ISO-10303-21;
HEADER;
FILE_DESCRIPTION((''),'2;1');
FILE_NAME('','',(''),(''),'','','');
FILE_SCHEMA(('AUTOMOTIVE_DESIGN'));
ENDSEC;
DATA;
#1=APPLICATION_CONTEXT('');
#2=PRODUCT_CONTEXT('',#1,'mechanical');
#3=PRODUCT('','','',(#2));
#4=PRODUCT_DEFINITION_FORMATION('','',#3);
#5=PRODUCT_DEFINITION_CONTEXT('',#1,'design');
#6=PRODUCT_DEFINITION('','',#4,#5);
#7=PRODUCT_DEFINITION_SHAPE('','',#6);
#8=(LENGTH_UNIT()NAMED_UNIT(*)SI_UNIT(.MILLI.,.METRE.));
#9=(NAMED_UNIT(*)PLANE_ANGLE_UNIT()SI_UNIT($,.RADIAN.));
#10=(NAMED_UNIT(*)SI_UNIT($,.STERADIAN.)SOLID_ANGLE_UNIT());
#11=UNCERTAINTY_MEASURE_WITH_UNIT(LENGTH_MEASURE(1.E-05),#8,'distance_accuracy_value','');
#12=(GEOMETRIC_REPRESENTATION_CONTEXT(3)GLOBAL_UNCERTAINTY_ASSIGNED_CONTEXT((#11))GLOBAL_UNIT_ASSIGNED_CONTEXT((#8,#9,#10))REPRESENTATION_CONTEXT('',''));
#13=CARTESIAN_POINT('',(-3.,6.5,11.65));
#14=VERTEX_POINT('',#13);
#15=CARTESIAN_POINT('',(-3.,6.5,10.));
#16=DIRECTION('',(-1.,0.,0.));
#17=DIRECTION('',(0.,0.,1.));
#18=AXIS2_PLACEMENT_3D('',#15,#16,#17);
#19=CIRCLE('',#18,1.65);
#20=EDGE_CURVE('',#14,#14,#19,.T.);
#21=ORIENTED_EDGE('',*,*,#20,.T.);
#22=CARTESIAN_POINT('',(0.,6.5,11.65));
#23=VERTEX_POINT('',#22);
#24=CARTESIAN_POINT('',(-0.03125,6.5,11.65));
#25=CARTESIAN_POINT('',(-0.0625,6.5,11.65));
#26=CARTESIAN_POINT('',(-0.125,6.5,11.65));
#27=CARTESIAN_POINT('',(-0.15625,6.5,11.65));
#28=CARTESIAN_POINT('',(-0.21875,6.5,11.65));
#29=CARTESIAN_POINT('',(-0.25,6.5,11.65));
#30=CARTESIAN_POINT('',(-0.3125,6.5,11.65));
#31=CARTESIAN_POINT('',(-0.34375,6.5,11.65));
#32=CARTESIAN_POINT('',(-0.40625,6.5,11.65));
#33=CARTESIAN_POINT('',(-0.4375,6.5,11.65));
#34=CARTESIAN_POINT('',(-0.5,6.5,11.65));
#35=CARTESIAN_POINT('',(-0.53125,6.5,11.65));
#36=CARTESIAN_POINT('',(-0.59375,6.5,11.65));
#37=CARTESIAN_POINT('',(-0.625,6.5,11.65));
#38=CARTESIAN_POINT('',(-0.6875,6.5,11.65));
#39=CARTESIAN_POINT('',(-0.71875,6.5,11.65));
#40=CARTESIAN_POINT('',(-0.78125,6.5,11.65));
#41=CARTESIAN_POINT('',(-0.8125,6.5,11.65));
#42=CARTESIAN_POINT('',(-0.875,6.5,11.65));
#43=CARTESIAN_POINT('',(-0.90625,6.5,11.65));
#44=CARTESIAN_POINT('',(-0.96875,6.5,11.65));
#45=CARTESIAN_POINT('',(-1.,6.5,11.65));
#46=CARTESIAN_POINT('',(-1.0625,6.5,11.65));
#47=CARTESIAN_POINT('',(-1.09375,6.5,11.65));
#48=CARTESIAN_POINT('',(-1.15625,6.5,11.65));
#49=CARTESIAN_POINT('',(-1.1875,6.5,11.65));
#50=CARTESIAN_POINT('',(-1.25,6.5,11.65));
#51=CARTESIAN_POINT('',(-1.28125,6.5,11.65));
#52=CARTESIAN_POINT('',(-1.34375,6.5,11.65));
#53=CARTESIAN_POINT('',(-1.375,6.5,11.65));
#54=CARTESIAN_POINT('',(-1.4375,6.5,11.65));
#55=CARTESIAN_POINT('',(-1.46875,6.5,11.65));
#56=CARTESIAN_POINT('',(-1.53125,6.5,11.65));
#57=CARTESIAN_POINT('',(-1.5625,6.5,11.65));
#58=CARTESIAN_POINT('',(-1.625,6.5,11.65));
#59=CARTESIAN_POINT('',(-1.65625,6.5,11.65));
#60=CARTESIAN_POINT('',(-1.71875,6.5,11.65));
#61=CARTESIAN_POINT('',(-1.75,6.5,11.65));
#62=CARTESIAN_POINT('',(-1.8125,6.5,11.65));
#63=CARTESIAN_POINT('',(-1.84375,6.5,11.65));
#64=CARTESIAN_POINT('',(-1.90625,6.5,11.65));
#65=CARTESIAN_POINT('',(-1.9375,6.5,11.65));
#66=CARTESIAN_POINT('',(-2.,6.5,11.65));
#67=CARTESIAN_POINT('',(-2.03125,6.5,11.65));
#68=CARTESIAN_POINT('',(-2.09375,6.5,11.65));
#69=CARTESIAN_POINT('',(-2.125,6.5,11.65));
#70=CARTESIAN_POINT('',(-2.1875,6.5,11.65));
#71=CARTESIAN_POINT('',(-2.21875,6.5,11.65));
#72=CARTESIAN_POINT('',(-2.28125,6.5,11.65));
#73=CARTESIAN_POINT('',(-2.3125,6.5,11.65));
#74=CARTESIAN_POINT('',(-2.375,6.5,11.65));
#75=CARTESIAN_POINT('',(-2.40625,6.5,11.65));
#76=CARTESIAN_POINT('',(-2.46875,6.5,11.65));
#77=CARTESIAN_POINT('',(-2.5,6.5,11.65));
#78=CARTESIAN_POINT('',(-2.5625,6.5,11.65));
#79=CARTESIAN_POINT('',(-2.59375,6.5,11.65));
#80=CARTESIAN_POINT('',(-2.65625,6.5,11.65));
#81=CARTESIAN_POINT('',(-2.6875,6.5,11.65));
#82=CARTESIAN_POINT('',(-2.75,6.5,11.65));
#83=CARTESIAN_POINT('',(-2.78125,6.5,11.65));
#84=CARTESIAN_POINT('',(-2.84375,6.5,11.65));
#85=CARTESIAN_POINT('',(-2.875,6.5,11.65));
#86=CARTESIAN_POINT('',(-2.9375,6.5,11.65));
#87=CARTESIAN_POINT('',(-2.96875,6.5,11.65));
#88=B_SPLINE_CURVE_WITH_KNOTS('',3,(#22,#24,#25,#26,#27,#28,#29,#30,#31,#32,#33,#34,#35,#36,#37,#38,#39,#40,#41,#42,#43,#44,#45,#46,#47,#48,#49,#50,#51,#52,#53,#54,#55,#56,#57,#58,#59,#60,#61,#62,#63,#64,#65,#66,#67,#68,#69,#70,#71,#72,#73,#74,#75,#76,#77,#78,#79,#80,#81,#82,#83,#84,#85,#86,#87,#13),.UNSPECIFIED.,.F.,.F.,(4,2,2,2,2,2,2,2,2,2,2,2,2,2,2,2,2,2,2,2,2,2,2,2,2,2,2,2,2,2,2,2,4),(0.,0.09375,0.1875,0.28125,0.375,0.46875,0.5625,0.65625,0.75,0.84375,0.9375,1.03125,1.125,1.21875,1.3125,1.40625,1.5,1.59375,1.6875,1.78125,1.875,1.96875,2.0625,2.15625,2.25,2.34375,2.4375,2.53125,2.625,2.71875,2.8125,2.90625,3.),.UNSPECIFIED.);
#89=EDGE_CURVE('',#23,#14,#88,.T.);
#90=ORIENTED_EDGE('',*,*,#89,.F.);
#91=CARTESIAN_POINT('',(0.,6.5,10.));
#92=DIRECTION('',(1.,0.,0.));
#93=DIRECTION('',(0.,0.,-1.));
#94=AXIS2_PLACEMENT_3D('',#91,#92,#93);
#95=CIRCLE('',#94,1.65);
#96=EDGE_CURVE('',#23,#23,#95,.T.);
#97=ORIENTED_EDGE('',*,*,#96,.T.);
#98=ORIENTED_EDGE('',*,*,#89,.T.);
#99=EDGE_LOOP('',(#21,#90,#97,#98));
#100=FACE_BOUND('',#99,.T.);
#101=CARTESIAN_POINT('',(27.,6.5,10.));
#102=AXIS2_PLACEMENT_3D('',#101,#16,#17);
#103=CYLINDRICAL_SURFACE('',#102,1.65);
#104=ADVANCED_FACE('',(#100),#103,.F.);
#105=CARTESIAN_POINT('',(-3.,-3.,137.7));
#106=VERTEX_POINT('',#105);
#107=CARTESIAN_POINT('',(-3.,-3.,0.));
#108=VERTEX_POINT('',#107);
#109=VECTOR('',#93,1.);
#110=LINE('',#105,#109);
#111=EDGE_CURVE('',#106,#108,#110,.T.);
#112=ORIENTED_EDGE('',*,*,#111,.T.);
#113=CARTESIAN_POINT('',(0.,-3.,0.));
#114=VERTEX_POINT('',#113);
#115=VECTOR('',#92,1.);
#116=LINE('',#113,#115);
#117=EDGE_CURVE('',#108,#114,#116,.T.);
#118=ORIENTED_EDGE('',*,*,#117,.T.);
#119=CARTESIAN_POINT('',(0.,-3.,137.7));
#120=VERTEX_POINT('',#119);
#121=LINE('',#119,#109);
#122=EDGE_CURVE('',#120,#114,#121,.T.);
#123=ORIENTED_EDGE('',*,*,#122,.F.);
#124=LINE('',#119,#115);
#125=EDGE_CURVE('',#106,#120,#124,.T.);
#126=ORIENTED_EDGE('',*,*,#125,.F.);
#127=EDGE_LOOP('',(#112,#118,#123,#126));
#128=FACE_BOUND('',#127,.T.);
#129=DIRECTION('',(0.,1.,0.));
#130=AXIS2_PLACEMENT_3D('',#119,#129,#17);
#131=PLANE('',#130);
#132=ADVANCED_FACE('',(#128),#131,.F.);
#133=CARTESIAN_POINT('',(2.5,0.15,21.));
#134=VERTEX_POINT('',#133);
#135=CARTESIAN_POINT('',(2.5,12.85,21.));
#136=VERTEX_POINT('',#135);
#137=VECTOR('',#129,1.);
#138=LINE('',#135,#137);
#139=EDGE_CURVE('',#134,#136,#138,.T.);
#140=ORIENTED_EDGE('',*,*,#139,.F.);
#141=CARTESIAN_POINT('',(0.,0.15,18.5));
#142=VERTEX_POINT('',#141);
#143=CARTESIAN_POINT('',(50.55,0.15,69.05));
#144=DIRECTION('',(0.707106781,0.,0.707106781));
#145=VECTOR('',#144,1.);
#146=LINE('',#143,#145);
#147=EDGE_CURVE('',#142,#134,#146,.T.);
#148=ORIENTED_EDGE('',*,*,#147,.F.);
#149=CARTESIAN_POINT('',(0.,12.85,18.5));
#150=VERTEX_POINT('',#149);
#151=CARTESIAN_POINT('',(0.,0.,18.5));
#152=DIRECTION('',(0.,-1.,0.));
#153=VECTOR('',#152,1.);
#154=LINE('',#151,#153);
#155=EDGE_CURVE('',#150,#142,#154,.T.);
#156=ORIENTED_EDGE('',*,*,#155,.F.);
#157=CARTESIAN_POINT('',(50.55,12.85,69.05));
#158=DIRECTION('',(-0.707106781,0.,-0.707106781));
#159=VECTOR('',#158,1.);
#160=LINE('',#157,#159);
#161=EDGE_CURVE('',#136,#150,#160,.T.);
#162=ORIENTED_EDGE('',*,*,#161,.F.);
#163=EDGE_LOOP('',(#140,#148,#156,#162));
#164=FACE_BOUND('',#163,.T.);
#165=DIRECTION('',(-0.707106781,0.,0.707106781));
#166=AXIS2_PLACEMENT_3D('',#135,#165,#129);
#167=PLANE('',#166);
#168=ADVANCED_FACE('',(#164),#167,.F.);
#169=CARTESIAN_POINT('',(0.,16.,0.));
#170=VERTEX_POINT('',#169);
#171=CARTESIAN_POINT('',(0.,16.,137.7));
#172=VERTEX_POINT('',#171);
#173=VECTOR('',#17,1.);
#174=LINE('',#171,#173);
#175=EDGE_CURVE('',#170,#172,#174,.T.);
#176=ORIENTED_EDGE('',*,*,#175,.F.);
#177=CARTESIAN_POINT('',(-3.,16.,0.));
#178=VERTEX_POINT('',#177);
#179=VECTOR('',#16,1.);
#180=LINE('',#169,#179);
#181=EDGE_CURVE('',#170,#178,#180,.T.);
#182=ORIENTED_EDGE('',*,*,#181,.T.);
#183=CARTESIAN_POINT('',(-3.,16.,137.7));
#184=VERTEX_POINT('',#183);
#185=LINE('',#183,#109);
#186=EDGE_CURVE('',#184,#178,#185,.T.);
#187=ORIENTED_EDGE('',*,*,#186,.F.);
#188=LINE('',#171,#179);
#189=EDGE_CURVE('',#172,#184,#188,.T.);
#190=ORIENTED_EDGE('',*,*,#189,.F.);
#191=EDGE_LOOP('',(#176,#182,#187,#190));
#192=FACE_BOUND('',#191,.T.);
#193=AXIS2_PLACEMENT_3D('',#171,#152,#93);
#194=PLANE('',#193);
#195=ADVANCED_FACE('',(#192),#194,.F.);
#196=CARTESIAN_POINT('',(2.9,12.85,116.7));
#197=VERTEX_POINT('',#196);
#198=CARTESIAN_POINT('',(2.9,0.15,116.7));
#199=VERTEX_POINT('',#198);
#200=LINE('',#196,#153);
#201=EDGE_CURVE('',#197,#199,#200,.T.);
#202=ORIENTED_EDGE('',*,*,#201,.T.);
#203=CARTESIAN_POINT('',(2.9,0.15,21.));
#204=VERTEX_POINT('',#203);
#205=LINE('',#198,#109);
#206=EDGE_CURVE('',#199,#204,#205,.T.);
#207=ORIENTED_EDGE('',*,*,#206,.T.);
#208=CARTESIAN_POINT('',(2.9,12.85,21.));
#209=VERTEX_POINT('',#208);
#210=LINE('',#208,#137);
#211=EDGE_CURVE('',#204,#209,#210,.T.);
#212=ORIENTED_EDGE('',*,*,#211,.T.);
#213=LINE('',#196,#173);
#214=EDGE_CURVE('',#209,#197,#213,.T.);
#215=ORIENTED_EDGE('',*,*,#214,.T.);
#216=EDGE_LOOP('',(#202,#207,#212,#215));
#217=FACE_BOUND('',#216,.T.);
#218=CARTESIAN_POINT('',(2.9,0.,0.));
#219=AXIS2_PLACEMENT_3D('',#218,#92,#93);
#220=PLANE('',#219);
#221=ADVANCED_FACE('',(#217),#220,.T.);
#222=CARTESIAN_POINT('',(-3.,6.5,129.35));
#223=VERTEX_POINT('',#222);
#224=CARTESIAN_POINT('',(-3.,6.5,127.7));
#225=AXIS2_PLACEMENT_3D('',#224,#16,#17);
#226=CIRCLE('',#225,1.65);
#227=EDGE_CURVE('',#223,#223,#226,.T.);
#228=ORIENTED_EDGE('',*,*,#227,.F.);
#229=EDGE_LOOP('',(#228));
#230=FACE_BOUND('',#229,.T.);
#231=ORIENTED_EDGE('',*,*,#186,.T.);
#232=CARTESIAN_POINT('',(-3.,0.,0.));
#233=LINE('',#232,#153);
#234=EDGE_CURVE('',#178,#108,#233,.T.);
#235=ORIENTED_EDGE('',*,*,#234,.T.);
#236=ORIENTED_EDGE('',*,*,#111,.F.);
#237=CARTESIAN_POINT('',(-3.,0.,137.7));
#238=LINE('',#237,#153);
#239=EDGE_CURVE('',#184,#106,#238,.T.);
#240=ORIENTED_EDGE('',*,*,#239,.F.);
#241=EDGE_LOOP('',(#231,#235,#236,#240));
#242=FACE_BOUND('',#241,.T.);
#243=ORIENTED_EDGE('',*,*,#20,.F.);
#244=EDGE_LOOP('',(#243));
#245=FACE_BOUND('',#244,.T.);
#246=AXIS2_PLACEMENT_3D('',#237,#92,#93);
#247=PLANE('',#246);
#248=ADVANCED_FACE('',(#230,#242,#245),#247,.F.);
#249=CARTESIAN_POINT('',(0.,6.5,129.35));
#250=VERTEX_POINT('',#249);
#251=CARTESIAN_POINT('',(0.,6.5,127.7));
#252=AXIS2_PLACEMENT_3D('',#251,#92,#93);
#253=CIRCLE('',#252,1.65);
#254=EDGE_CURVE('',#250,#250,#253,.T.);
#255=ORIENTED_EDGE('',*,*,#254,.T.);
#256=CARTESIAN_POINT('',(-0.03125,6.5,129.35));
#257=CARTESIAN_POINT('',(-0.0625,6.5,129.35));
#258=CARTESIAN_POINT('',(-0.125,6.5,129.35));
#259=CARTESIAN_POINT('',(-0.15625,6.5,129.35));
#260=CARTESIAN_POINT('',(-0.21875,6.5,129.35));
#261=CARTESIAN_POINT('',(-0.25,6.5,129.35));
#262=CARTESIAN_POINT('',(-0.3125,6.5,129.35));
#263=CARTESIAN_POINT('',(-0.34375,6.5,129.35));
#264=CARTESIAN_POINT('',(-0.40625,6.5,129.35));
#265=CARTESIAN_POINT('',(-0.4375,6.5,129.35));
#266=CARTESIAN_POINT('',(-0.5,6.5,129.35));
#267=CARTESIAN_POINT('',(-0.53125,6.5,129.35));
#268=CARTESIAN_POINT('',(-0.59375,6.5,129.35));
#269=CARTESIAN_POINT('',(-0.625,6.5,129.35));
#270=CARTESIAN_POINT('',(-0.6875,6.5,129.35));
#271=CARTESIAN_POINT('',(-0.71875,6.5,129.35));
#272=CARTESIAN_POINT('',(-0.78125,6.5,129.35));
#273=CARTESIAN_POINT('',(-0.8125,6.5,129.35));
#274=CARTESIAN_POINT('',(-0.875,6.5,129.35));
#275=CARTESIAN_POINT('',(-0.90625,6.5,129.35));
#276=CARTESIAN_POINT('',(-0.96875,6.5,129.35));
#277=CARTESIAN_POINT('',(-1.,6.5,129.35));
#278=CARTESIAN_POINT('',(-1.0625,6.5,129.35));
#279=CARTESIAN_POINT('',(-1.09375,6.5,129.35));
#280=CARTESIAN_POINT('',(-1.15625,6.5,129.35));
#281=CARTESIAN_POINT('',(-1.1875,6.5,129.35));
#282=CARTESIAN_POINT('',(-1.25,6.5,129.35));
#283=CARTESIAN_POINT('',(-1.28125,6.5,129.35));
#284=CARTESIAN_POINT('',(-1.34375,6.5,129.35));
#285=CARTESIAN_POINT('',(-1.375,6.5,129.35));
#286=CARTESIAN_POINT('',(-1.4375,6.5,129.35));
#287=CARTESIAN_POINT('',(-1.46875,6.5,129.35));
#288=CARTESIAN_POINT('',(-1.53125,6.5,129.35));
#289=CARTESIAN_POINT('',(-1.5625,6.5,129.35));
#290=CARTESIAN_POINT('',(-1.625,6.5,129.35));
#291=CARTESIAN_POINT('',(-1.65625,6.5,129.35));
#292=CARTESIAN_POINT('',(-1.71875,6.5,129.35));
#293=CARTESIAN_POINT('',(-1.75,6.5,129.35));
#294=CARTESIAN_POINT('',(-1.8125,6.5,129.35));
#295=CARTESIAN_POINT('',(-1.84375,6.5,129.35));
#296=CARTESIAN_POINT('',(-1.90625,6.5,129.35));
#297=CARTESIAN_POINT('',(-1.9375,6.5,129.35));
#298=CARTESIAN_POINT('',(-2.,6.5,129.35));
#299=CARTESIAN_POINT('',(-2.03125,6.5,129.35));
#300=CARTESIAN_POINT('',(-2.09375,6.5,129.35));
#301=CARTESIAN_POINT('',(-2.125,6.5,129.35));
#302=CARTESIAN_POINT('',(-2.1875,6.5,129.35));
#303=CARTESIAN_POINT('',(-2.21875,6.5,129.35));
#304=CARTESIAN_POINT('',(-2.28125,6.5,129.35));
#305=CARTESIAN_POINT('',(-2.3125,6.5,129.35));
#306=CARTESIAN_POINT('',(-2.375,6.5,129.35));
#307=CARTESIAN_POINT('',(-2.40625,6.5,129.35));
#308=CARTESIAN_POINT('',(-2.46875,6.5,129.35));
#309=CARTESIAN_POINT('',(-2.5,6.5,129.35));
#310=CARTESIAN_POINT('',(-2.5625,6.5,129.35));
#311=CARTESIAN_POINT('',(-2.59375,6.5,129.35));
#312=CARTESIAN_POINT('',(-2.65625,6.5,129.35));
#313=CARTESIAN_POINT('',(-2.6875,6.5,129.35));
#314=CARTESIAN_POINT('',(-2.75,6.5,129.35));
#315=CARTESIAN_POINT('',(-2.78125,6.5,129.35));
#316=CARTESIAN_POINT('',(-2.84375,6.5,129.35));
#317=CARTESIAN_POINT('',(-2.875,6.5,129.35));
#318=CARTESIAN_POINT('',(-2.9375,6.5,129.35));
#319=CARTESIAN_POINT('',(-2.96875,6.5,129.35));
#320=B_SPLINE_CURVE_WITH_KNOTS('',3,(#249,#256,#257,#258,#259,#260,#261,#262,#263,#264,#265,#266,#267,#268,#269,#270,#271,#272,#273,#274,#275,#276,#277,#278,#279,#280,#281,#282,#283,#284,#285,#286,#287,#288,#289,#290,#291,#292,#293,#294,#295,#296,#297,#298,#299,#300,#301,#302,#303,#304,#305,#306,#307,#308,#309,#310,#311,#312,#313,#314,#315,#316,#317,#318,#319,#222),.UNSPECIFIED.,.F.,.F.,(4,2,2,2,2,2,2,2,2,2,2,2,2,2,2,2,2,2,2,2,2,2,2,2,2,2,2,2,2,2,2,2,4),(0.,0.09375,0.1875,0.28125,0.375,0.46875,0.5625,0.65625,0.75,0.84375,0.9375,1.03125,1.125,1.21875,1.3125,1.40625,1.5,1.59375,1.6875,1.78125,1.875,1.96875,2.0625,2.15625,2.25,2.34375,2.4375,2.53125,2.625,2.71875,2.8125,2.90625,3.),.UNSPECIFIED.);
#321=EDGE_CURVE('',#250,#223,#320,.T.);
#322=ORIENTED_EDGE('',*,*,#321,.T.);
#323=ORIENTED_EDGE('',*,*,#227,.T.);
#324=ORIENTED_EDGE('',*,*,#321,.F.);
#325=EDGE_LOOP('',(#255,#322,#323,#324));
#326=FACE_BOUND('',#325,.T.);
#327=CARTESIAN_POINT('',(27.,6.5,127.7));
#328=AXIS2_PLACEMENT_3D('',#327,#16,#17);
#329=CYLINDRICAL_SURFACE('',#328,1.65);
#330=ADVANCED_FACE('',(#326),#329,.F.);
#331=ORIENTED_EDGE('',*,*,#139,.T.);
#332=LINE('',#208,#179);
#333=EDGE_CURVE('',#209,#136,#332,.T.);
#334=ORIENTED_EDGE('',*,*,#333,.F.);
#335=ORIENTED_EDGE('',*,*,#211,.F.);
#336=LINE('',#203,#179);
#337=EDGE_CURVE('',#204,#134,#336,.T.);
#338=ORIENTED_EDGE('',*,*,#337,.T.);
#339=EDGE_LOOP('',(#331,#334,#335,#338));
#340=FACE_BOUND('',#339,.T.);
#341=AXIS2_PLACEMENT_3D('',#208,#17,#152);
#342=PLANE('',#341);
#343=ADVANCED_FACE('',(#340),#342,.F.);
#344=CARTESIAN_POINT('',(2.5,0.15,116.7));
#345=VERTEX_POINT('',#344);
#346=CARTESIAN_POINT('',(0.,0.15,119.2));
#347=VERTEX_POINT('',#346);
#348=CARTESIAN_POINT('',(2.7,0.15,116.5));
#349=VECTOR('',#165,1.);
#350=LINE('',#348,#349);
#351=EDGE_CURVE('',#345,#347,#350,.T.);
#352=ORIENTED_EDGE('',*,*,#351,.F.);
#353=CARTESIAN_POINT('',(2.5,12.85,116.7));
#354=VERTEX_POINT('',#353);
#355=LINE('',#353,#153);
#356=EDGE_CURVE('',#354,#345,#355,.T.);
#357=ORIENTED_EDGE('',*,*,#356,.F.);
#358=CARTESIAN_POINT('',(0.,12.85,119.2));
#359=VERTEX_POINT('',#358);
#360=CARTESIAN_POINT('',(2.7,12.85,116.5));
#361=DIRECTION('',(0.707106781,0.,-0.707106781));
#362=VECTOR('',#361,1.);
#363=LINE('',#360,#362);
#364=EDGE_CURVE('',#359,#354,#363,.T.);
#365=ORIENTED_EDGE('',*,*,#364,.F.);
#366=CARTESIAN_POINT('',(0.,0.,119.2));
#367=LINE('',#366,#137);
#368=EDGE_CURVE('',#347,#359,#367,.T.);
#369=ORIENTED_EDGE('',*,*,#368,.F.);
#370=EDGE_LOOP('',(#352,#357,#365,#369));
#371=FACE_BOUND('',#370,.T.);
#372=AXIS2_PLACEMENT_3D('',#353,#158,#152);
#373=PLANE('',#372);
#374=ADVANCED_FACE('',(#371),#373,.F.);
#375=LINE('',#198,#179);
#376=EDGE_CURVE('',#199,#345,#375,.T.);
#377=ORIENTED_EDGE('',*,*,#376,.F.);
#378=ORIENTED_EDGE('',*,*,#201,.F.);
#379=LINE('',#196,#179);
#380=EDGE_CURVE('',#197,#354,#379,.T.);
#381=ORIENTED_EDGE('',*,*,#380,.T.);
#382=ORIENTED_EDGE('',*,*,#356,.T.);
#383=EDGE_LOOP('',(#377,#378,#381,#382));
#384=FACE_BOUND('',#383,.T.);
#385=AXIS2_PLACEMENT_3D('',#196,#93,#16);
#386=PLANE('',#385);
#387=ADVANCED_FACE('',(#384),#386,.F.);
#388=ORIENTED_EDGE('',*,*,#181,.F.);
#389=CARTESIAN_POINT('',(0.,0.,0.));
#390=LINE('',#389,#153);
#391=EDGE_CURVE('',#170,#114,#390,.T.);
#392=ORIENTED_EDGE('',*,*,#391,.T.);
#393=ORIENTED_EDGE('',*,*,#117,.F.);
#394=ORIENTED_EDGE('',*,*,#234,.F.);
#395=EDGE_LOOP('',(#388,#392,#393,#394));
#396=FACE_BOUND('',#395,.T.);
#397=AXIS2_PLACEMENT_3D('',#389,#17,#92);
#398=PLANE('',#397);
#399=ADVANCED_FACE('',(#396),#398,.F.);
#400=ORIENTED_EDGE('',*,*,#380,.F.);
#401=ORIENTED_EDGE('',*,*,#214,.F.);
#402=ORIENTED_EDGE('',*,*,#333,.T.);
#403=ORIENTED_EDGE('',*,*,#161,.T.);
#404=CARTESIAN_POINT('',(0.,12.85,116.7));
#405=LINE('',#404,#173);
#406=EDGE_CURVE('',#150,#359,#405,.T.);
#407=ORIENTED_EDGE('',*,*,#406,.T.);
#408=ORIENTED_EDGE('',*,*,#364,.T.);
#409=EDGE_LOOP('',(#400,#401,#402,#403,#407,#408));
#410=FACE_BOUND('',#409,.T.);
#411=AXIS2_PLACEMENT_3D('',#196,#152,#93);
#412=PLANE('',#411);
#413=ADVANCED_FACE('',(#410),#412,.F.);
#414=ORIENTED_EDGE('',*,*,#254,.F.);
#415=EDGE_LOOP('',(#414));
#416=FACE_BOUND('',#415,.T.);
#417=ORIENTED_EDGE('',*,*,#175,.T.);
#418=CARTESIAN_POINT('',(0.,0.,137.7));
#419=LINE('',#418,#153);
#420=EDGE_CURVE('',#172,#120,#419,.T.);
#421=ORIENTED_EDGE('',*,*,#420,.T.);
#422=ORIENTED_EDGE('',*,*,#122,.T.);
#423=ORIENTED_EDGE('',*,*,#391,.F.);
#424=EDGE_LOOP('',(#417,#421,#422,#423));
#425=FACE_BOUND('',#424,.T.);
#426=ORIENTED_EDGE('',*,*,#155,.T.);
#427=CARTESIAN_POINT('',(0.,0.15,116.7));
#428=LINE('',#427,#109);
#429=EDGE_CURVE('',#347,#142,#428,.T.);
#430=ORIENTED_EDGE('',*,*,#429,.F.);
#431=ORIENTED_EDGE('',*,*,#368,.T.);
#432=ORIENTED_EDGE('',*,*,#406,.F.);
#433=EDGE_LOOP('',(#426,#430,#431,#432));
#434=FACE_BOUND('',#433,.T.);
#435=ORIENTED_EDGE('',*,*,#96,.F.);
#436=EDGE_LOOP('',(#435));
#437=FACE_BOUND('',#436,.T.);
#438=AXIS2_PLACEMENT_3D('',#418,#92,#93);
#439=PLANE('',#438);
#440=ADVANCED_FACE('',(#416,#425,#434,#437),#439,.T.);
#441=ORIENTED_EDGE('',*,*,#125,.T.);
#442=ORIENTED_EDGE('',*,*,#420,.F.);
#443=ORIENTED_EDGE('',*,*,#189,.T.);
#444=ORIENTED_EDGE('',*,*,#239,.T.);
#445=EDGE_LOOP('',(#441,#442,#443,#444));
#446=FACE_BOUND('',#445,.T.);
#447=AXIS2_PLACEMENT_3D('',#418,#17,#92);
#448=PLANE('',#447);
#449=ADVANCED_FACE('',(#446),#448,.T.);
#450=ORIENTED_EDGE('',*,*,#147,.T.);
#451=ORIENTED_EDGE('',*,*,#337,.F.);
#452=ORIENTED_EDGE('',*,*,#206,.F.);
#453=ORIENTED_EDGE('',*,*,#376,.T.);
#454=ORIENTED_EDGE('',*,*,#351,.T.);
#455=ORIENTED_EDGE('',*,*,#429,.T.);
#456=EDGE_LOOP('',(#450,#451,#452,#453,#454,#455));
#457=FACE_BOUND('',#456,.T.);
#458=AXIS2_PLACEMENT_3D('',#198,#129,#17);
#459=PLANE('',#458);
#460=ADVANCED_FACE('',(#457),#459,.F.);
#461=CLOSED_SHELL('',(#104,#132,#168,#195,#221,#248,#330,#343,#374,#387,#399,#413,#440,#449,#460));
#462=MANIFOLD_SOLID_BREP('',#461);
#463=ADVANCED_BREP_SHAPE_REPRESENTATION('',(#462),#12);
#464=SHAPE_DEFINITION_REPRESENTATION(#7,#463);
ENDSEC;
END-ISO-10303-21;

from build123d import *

# Parameters (mm, degrees)
SKETCH_1_W          = 19
SKETCH_1_H          = 19
SKETCH_1_W_2        = 13
SKETCH_1_H_2        = 13
EXTRUDE_1_DEPTH     = 137.7
SKETCH_2_R          = 1.65
CUT_EXTRUDE_1_DEPTH = 30
SKETCH_3_W          = 137.7
SKETCH_3_H          = 19
CUT_EXTRUDE_2_DEPTH = 16
SKETCH_4_W          = 95.7
SKETCH_4_H          = 12.7
EXTRUDE_1_2_DEPTH   = 2.9
CHAMFER_1_SIZE      = 2.5


with BuildPart() as part:
    # 草图1 → Extrude 1 (new body)
    with BuildSketch(Plane.XY):
        with Locations((6.5, 6.5)):
            Rectangle(SKETCH_1_W, SKETCH_1_H)
        with Locations((6.5, 6.5)):
            Rectangle(SKETCH_1_W_2, SKETCH_1_H_2, mode=Mode.SUBTRACT)
    extrude(amount=EXTRUDE_1_DEPTH)

    # 草图2 → 切除-拉伸1 (cut)
    with BuildSketch(Plane.ZY.offset(3)):
        with Locations((10, 6.5)):
            Circle(SKETCH_2_R)
        with Locations((127.7, 6.5)):
            Circle(SKETCH_2_R)
    extrude(amount=-CUT_EXTRUDE_1_DEPTH, mode=Mode.SUBTRACT)

    # 草图3 → 切除-拉伸2 (cut)
    with BuildSketch(Plane(origin=(16, 0, 0), x_dir=(0, 0, -1), z_dir=(1, 0, 0))):
        with Locations((-68.85, 6.5)):
            Rectangle(SKETCH_3_W, SKETCH_3_H)
    extrude(amount=-CUT_EXTRUDE_2_DEPTH, mode=Mode.SUBTRACT)

    # 草图4 → Extrude 1 2 (add)
    with BuildSketch(Plane(origin=(0, 0, 0), x_dir=(0, 0, -1), z_dir=(1, 0, 0))):
        with Locations((-68.85, 6.5)):
            Rectangle(SKETCH_4_W, SKETCH_4_H)
    extrude(amount=EXTRUDE_1_2_DEPTH)

    # 倒角1
    chamfer_1_edges = [part.edges().sort_by_distance(p)[0] for p in [
        (0, 6.5, 116.7),
        (0, 6.5, 21),
    ]]
    chamfer(chamfer_1_edges, length=CHAMFER_1_SIZE)


solid = part.part
